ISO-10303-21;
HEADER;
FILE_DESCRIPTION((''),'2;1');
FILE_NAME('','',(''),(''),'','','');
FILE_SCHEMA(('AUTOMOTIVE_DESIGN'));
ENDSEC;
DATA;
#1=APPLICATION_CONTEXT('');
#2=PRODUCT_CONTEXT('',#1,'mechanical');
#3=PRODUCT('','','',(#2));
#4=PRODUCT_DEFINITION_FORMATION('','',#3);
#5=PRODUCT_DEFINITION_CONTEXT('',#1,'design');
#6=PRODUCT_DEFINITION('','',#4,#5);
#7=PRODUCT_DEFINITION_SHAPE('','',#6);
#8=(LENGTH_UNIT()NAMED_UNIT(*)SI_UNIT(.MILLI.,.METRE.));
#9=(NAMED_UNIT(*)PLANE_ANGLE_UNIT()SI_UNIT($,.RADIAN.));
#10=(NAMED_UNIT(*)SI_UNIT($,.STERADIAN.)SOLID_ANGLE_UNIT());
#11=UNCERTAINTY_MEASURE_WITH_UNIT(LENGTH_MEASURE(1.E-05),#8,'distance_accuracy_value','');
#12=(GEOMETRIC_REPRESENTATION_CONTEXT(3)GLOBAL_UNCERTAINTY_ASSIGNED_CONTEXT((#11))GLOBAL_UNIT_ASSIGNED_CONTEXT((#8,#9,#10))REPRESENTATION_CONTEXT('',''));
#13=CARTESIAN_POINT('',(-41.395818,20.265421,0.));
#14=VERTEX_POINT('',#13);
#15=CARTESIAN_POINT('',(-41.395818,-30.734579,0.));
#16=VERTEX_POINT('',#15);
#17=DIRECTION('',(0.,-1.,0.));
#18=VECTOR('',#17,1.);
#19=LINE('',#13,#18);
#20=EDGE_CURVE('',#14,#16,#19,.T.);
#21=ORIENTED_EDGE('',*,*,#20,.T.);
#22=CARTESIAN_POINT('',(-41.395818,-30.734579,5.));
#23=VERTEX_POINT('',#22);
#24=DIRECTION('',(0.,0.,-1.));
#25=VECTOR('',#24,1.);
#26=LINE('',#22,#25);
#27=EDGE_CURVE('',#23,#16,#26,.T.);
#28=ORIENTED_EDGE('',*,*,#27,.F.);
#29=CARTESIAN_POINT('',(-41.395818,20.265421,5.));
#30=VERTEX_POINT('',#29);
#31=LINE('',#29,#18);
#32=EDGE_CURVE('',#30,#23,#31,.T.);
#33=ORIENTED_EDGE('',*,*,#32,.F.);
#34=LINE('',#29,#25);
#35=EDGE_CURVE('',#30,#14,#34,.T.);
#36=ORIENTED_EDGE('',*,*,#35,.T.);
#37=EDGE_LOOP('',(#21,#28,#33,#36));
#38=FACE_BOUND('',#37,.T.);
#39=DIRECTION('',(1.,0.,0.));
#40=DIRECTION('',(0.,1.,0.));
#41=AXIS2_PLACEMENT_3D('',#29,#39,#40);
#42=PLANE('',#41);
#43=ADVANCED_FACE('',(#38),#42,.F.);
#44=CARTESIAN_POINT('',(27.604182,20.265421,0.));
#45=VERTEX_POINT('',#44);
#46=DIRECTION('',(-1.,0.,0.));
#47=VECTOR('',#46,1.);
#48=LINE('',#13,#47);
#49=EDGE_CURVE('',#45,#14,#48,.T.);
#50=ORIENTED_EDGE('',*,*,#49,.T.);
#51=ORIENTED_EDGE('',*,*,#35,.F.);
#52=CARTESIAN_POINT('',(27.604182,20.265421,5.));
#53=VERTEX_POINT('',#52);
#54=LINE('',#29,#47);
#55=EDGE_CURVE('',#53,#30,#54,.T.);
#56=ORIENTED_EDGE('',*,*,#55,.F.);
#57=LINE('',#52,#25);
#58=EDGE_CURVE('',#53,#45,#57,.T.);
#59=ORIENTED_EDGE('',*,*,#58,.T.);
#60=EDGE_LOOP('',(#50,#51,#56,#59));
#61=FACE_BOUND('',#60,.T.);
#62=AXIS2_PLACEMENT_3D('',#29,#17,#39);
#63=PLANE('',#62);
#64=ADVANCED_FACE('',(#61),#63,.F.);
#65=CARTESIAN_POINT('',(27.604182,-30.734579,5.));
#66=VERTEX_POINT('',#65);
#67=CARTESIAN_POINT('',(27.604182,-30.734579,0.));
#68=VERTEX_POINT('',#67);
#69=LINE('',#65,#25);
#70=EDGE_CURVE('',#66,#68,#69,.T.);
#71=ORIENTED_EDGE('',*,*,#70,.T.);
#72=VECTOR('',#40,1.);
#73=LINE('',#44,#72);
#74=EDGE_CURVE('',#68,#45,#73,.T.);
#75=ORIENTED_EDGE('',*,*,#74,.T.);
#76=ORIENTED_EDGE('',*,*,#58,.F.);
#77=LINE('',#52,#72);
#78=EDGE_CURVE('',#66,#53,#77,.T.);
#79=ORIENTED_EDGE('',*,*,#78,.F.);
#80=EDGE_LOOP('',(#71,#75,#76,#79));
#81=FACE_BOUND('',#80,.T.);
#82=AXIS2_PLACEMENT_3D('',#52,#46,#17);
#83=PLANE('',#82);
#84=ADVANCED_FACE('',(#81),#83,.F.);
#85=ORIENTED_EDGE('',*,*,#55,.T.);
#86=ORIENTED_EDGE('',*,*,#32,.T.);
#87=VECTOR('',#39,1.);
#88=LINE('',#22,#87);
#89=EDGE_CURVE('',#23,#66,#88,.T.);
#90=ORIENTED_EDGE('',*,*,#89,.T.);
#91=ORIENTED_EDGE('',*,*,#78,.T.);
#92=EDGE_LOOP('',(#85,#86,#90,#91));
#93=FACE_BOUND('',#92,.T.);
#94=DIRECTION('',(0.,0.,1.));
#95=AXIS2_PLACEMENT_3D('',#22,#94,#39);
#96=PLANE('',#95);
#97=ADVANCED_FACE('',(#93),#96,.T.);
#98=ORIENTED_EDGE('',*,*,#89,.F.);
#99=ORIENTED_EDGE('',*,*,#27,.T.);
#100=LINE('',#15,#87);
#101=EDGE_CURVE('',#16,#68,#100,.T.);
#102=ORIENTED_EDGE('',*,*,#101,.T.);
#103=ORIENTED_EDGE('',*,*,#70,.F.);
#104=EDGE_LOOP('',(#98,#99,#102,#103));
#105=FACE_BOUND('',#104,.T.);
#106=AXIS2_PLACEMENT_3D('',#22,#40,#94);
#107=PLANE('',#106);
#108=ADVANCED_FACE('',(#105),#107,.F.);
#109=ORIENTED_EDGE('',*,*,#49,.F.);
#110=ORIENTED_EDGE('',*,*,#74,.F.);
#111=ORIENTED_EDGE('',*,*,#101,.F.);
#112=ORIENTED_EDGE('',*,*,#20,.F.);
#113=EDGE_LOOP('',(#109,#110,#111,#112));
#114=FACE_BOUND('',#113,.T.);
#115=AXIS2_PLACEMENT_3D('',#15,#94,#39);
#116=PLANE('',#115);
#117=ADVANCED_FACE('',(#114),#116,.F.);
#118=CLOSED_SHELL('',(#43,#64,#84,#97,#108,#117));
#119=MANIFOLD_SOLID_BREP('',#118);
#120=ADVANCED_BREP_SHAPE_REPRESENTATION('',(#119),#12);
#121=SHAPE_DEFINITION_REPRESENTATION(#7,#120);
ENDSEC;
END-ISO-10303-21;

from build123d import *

# Parameters (mm, degrees)
ESQUISSE1_W      = 69
ESQUISSE1_H      = 51
EXTRUSION1_DEPTH = 5


with BuildPart() as part:
    # Esquisse1 → Extrusion1 (new body)
    with BuildSketch(Plane.XY):
        with Locations((-6.895817589, -5.23457898)):
            Rectangle(ESQUISSE1_W, ESQUISSE1_H)
    extrude(amount=EXTRUSION1_DEPTH)


solid = part.part
